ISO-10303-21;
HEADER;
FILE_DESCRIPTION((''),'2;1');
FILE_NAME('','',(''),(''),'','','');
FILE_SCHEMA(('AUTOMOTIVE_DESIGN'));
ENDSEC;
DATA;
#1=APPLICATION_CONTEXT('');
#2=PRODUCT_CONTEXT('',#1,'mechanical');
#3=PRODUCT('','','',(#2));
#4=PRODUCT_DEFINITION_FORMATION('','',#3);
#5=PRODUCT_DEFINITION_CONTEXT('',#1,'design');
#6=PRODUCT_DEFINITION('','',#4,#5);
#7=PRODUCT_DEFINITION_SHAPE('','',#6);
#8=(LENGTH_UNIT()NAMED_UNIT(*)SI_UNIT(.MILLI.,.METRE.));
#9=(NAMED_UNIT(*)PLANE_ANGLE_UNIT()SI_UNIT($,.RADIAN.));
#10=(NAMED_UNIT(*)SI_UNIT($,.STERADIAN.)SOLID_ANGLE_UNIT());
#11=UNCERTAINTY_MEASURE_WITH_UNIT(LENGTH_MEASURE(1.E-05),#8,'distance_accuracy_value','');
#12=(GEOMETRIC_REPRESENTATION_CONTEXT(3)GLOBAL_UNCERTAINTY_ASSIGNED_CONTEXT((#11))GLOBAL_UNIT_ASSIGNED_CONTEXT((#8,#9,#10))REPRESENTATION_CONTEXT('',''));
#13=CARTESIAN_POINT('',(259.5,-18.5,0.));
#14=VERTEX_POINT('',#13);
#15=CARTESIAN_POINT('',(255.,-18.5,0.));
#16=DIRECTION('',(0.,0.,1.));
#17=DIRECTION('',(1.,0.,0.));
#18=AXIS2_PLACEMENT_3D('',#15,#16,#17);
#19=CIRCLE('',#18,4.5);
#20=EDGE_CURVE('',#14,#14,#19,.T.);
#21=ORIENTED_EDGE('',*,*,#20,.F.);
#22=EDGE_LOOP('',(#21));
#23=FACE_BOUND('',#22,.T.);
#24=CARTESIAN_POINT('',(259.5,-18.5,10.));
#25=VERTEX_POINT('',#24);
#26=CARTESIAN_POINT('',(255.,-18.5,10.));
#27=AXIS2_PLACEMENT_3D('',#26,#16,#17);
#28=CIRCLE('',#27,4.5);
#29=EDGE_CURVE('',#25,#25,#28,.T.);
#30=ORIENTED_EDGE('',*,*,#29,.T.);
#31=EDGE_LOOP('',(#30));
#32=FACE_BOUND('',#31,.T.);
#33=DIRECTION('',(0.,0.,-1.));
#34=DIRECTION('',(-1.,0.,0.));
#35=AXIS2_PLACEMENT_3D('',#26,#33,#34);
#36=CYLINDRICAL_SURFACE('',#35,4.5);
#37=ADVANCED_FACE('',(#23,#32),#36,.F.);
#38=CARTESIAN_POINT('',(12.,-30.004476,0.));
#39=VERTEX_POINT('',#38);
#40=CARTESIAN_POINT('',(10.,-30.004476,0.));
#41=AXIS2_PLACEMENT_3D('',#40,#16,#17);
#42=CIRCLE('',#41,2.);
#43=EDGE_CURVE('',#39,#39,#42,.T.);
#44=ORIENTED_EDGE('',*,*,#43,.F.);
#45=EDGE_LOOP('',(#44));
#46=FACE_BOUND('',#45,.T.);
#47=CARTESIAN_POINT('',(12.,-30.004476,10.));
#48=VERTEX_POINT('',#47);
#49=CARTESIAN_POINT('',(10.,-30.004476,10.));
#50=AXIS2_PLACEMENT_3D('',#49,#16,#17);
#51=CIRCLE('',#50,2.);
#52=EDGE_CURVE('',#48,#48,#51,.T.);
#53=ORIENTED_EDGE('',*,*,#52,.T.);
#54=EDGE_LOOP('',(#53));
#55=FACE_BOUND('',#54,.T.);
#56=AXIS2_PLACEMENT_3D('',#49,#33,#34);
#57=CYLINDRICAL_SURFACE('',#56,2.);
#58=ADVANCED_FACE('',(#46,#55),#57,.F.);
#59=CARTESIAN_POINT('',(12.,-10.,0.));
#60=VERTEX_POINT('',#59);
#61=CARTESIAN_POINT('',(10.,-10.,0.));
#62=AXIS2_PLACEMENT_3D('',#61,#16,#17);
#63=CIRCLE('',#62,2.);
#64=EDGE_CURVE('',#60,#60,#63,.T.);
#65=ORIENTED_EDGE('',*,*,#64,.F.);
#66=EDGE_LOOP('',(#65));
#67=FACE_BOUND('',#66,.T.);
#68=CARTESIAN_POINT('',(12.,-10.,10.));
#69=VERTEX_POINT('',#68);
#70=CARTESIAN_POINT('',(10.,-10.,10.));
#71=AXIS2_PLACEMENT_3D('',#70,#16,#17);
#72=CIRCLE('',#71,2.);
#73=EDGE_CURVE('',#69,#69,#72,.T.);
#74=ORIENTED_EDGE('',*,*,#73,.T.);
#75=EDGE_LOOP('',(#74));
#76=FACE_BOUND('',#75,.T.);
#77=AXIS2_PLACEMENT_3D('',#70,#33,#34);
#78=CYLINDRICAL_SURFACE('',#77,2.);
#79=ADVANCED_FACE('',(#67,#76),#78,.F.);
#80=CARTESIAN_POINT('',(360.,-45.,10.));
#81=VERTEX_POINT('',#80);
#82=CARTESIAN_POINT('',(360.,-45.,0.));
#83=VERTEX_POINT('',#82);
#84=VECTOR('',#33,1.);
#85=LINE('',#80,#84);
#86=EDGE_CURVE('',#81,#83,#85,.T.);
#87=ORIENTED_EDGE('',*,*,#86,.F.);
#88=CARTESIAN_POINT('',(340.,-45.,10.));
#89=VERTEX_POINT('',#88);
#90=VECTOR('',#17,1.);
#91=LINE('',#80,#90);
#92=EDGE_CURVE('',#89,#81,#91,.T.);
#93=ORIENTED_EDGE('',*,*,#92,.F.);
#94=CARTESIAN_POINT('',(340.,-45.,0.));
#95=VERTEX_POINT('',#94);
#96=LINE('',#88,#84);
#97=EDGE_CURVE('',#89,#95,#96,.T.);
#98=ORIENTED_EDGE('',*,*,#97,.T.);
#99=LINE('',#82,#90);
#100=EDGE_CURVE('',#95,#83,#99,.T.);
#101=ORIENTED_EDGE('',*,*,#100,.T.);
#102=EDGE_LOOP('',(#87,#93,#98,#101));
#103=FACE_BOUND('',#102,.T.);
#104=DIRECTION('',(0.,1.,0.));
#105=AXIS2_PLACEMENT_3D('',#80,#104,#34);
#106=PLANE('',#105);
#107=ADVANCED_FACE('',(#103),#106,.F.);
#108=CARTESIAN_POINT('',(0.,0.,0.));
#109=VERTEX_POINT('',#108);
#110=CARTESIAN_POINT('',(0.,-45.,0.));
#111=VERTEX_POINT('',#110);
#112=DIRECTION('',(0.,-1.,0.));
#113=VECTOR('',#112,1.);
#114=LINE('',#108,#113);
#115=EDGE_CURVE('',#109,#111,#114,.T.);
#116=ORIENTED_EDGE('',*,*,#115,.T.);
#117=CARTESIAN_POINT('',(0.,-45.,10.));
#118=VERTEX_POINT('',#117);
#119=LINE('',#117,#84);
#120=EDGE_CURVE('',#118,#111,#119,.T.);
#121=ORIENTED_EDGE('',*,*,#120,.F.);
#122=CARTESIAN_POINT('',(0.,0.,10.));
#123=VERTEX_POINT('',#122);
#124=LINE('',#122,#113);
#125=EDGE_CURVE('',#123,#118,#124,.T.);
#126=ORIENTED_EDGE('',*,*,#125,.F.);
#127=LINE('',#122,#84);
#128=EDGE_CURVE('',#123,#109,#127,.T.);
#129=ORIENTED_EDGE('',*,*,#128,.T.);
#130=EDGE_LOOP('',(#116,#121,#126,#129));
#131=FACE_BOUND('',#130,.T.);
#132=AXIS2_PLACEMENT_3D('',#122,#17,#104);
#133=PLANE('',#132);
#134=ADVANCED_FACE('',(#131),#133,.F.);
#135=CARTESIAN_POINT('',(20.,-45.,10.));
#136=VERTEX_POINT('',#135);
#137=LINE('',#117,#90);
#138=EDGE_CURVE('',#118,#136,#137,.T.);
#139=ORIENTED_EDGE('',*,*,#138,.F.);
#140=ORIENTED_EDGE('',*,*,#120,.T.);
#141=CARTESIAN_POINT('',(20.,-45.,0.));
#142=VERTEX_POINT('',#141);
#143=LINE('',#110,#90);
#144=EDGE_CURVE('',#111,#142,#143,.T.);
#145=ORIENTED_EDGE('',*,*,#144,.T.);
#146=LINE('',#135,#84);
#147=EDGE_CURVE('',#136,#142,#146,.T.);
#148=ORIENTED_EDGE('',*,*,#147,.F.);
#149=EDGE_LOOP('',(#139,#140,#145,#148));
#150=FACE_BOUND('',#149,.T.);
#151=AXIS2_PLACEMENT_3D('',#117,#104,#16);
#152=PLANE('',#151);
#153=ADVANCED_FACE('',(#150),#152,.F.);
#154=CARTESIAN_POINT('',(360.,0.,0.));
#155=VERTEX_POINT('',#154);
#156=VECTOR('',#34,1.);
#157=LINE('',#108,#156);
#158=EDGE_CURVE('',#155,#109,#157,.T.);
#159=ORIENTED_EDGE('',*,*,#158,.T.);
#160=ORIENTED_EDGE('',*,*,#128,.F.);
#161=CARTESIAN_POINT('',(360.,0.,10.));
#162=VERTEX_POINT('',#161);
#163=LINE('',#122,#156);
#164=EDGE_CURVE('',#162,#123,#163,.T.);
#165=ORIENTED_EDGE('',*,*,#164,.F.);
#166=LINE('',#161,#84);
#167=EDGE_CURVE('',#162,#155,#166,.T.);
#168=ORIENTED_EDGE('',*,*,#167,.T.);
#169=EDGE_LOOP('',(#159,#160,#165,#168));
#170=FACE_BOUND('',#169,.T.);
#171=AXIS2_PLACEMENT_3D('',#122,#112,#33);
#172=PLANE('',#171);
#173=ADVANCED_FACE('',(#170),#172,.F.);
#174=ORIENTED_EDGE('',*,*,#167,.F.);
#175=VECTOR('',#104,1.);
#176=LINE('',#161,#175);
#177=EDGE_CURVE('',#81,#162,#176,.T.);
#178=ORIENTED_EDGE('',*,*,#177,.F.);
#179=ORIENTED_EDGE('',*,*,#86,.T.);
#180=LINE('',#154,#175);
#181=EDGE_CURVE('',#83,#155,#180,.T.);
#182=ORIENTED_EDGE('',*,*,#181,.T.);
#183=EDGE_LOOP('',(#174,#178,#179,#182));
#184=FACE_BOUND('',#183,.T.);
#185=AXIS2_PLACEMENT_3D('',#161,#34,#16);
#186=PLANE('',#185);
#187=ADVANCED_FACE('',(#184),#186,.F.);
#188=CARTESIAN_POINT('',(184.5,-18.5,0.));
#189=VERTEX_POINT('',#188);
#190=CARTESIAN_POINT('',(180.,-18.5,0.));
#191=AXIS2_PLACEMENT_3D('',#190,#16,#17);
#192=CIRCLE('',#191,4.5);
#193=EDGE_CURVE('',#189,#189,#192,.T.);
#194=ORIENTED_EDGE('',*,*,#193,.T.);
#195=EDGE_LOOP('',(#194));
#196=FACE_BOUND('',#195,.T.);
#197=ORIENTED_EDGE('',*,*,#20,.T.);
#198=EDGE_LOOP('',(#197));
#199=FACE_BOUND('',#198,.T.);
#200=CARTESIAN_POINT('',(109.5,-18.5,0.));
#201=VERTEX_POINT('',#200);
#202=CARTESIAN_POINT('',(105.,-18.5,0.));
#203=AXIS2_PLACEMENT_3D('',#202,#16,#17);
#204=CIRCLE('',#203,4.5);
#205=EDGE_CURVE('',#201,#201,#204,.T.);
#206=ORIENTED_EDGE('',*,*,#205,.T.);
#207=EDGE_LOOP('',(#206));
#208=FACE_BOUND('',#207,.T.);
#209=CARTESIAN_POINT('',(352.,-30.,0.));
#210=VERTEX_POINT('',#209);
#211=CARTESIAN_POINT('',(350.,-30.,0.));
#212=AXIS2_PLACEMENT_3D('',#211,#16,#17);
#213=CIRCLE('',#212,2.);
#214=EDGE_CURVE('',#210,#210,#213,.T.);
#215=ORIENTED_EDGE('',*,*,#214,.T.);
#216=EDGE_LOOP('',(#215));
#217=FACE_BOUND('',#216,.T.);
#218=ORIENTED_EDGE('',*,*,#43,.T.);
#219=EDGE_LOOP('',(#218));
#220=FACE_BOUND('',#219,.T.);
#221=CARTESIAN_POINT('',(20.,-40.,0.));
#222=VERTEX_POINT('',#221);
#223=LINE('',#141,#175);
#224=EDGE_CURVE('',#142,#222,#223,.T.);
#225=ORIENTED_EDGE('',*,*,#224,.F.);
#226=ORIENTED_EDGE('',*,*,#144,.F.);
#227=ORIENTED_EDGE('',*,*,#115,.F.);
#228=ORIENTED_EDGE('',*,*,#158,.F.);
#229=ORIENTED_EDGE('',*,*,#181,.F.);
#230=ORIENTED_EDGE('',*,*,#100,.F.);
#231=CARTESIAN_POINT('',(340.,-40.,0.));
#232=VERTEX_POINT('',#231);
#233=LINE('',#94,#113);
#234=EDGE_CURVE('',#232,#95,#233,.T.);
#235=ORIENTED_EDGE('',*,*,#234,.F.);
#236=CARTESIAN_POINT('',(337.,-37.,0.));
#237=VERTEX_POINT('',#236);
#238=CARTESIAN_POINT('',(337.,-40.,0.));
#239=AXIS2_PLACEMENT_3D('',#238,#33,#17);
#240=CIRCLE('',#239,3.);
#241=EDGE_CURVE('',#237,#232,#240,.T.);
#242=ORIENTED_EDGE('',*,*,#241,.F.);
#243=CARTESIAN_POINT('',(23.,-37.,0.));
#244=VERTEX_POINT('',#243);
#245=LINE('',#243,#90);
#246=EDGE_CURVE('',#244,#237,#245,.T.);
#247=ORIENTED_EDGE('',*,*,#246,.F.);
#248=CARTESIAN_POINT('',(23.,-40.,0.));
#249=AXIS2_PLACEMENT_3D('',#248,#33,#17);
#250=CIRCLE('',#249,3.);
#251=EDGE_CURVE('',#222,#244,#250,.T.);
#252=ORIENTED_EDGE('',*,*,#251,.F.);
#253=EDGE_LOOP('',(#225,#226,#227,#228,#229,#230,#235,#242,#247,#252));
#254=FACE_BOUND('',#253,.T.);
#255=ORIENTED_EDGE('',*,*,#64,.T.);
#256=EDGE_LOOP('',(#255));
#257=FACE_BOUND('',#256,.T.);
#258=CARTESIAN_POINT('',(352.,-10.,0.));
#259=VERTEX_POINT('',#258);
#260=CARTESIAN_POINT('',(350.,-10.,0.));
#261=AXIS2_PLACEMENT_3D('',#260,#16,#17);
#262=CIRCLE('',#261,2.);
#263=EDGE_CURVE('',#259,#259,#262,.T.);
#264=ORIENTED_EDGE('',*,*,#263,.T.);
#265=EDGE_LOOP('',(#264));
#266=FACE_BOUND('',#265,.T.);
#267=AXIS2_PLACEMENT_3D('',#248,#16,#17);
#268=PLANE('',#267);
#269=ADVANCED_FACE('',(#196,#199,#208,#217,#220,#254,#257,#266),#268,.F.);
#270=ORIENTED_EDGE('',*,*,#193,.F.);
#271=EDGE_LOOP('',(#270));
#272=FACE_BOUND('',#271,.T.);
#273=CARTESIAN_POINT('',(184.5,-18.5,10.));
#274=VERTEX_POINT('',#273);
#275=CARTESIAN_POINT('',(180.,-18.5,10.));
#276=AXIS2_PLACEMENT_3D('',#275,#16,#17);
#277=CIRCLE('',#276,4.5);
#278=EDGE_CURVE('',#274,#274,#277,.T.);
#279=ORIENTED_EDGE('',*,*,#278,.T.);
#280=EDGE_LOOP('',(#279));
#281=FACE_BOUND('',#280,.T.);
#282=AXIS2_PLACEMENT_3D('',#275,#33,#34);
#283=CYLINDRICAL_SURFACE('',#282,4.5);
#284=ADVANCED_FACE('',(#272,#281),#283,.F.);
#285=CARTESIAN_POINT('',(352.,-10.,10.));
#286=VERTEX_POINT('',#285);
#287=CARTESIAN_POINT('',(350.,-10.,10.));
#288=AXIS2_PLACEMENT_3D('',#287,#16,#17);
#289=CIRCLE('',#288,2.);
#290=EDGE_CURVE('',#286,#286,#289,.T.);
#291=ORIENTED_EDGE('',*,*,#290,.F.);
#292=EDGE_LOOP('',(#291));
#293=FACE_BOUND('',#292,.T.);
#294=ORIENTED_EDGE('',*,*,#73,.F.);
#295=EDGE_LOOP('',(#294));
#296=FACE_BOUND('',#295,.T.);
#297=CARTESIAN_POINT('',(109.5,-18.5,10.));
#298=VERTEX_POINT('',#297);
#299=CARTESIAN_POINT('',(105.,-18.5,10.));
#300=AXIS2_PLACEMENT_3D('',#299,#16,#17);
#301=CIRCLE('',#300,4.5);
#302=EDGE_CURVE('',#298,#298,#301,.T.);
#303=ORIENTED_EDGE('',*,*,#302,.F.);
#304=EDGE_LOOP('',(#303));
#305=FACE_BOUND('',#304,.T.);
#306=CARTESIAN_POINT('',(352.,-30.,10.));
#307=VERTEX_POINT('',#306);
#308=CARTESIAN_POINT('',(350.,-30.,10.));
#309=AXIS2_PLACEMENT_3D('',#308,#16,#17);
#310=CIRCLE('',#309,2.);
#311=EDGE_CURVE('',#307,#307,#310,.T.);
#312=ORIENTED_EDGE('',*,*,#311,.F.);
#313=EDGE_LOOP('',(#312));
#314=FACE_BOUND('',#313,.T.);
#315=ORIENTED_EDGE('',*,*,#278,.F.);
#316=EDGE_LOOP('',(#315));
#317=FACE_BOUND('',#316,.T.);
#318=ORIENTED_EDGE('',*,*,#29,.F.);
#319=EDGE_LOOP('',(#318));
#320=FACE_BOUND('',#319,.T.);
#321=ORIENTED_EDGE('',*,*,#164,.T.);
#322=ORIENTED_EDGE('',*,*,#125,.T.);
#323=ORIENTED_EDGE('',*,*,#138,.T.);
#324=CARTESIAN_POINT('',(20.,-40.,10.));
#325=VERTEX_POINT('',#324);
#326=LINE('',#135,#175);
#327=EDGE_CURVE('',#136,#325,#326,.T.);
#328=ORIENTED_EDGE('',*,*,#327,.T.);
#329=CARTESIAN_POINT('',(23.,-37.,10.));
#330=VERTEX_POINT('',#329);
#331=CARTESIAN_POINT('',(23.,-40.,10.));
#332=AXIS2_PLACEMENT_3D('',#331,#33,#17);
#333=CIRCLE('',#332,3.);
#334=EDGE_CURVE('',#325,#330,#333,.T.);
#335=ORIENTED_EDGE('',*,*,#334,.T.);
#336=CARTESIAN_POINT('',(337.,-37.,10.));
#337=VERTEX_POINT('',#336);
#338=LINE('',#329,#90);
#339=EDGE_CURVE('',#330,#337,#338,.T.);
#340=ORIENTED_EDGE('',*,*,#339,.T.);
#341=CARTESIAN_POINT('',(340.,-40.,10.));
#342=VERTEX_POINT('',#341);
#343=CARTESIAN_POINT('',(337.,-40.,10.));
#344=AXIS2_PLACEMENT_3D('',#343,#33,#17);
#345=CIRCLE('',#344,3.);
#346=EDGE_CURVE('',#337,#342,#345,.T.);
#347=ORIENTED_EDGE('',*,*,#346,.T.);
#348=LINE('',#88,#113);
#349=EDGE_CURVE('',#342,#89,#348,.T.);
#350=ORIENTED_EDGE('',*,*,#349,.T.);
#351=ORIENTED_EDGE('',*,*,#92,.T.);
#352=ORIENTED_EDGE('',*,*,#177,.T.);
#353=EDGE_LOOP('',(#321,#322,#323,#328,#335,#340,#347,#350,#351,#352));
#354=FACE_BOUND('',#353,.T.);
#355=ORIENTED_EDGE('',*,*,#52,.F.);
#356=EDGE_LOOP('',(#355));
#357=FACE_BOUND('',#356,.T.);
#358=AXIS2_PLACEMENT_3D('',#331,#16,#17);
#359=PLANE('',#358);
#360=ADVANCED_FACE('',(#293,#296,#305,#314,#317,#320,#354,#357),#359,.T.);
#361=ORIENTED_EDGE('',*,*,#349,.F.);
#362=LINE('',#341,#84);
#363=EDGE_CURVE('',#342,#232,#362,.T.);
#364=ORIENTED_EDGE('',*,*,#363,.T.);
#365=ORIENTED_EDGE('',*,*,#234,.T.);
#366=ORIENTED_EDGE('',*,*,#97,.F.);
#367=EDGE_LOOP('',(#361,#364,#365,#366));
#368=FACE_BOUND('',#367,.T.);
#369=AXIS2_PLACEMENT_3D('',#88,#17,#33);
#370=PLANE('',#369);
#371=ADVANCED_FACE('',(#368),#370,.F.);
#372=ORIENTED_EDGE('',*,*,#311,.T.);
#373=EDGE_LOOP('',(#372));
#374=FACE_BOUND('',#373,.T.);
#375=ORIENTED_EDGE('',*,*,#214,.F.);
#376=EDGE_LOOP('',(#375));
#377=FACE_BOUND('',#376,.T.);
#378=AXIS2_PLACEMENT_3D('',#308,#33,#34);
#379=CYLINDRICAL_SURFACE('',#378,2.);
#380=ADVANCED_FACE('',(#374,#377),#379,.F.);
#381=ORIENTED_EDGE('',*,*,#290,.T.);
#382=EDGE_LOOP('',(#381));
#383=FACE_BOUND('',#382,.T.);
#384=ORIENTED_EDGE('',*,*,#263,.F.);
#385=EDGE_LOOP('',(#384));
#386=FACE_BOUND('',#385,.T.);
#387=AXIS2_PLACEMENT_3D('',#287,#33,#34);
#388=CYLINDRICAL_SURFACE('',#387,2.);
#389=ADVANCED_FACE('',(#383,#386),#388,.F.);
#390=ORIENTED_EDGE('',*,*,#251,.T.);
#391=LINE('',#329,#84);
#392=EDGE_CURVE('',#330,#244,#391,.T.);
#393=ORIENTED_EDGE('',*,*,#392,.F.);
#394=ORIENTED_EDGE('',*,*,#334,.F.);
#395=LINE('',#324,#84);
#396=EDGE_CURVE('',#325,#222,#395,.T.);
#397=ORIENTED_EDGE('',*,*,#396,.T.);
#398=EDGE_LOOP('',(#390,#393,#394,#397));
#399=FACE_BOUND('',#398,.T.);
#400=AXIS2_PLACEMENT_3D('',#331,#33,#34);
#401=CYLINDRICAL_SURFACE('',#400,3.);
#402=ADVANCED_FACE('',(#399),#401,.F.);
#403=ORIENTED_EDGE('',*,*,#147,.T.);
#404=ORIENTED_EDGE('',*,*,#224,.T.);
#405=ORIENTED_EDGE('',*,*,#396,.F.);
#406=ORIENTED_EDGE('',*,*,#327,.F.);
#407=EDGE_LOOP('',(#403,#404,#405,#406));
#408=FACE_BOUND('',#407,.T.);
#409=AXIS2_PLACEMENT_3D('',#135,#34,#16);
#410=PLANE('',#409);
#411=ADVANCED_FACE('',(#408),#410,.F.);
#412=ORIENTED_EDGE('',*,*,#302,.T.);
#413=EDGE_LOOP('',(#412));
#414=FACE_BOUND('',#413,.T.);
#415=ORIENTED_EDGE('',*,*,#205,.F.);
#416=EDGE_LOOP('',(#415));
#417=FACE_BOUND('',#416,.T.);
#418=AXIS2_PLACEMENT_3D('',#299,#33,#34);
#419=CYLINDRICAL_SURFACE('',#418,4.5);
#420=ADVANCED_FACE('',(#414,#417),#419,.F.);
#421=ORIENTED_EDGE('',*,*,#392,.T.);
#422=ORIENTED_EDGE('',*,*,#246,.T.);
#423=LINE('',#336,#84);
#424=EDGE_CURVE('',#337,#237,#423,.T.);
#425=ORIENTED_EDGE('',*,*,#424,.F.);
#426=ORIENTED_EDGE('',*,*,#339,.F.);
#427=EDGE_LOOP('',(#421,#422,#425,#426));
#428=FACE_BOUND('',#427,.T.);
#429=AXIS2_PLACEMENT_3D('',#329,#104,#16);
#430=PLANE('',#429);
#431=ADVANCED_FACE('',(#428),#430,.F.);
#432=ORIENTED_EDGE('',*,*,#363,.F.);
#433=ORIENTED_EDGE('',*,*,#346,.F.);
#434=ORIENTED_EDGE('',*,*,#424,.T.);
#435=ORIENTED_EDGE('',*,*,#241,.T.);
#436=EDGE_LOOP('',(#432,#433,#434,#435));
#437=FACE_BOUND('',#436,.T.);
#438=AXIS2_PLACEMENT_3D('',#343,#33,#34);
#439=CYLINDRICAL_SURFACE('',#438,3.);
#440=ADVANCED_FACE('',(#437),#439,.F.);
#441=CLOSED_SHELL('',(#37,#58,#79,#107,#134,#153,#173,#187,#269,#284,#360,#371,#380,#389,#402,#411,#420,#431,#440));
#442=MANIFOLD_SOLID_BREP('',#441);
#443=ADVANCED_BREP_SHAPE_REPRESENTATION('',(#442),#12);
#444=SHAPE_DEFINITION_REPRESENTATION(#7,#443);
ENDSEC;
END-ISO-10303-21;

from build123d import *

# Parameters (mm, degrees)
SKETCH1_R           = 2
SKETCH1_R_2         = 4.5
BOSS_EXTRUDE1_DEPTH = 10


with BuildPart() as part:
    # Sketch1 → Boss-Extrude1 (new body)
    with BuildSketch(Plane.XY):
        with BuildLine():
            Line((0, 0), (360, 0))
            Line((360, 0), (360, -45))
            Line((360, -45), (340, -45))
            Line((340, -45), (340, -40))
            ThreePointArc((340, -40), (339.121320344, -37.878679656), (337, -37))
            Line((337, -37), (23, -37))
            ThreePointArc((23, -37), (20.878679656, -37.878679656), (20, -40))
            Line((20, -40), (20, -45))
            Line((20, -45), (0, -45))
            Line((0, -45), (0, 0))
        make_face()
        with Locations((350, -10)):
            Circle(SKETCH1_R, mode=Mode.SUBTRACT)
        with Locations((350, -30)):
            Circle(SKETCH1_R, mode=Mode.SUBTRACT)
        with Locations((10, -10)):
            Circle(SKETCH1_R, mode=Mode.SUBTRACT)
        with Locations((10, -30.004476127)):
            Circle(SKETCH1_R, mode=Mode.SUBTRACT)
        with Locations((180, -18.5)):
            Circle(SKETCH1_R_2, mode=Mode.SUBTRACT)
        with Locations((255, -18.5)):
            Circle(SKETCH1_R_2, mode=Mode.SUBTRACT)
        with Locations((105, -18.5)):
            Circle(SKETCH1_R_2, mode=Mode.SUBTRACT)
    extrude(amount=BOSS_EXTRUDE1_DEPTH)


solid = part.part
